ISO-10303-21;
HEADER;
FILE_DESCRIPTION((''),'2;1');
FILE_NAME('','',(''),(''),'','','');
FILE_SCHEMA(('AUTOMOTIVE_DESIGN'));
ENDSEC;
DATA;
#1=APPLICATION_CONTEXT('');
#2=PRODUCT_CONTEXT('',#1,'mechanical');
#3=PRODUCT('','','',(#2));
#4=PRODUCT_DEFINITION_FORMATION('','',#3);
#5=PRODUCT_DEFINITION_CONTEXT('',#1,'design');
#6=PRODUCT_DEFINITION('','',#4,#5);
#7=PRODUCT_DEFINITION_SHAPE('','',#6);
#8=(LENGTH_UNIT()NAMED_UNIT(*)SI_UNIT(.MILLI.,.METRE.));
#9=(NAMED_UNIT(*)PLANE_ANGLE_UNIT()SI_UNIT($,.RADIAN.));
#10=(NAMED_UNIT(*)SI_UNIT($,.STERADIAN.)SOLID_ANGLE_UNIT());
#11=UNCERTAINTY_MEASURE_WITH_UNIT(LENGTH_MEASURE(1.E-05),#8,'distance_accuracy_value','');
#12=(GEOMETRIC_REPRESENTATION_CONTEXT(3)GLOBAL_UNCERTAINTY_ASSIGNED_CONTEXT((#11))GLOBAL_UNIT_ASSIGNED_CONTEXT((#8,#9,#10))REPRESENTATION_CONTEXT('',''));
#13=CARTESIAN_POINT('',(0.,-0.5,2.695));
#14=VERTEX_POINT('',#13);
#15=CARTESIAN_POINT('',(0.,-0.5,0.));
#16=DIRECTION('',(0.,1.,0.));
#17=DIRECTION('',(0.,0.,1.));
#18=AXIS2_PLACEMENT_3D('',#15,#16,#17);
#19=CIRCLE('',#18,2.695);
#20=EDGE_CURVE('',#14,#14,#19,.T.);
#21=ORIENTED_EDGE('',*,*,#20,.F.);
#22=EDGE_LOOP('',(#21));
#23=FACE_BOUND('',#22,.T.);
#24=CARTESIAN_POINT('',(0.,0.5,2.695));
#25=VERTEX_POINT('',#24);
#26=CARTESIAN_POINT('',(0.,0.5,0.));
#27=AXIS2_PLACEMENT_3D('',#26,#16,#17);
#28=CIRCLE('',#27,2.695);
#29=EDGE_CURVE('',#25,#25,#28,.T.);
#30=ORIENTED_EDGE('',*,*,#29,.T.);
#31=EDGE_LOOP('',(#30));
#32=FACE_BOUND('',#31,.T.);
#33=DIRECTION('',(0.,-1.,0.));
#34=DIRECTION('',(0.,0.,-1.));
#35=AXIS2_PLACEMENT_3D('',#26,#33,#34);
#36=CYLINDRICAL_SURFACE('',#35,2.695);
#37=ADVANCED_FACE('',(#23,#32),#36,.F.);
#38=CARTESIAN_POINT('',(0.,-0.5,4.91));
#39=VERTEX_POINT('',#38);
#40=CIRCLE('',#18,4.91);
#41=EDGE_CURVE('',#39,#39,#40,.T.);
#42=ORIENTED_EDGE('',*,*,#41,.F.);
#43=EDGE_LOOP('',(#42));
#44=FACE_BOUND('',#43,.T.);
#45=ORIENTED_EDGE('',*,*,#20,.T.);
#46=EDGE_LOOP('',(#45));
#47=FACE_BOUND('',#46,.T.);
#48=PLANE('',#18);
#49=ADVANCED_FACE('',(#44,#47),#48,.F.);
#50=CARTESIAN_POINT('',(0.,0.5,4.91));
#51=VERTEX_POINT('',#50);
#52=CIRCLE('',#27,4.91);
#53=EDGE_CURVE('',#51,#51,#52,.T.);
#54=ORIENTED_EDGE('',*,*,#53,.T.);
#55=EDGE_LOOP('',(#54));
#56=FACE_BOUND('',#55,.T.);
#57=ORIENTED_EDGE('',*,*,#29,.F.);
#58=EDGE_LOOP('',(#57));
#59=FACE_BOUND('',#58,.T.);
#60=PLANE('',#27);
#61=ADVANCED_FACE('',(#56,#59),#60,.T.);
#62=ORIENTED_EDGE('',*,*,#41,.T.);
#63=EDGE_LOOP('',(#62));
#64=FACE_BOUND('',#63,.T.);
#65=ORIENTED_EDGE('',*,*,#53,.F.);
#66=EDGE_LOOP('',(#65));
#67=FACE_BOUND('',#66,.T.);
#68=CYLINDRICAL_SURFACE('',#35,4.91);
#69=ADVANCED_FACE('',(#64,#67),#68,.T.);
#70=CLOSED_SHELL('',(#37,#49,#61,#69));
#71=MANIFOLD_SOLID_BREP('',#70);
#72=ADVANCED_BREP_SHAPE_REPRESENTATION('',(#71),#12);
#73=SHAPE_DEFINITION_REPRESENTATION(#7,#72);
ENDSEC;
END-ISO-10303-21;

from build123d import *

# Parameters (mm, degrees)
SKETCH1_R           = 4.91
SKETCH1_R_2         = 2.695
BOSS_EXTRUDE1_DEPTH = 0.5


with BuildPart() as part:
    # Sketch1 → Boss-Extrude1 (new body, symmetric)
    with BuildSketch(Plane(origin=(0, 0, 0), x_dir=(1, 0, 0), z_dir=(0, 1, 0))):
        Circle(SKETCH1_R)
        Circle(SKETCH1_R_2, mode=Mode.SUBTRACT)
    extrude(amount=BOSS_EXTRUDE1_DEPTH, both=True)


solid = part.part
